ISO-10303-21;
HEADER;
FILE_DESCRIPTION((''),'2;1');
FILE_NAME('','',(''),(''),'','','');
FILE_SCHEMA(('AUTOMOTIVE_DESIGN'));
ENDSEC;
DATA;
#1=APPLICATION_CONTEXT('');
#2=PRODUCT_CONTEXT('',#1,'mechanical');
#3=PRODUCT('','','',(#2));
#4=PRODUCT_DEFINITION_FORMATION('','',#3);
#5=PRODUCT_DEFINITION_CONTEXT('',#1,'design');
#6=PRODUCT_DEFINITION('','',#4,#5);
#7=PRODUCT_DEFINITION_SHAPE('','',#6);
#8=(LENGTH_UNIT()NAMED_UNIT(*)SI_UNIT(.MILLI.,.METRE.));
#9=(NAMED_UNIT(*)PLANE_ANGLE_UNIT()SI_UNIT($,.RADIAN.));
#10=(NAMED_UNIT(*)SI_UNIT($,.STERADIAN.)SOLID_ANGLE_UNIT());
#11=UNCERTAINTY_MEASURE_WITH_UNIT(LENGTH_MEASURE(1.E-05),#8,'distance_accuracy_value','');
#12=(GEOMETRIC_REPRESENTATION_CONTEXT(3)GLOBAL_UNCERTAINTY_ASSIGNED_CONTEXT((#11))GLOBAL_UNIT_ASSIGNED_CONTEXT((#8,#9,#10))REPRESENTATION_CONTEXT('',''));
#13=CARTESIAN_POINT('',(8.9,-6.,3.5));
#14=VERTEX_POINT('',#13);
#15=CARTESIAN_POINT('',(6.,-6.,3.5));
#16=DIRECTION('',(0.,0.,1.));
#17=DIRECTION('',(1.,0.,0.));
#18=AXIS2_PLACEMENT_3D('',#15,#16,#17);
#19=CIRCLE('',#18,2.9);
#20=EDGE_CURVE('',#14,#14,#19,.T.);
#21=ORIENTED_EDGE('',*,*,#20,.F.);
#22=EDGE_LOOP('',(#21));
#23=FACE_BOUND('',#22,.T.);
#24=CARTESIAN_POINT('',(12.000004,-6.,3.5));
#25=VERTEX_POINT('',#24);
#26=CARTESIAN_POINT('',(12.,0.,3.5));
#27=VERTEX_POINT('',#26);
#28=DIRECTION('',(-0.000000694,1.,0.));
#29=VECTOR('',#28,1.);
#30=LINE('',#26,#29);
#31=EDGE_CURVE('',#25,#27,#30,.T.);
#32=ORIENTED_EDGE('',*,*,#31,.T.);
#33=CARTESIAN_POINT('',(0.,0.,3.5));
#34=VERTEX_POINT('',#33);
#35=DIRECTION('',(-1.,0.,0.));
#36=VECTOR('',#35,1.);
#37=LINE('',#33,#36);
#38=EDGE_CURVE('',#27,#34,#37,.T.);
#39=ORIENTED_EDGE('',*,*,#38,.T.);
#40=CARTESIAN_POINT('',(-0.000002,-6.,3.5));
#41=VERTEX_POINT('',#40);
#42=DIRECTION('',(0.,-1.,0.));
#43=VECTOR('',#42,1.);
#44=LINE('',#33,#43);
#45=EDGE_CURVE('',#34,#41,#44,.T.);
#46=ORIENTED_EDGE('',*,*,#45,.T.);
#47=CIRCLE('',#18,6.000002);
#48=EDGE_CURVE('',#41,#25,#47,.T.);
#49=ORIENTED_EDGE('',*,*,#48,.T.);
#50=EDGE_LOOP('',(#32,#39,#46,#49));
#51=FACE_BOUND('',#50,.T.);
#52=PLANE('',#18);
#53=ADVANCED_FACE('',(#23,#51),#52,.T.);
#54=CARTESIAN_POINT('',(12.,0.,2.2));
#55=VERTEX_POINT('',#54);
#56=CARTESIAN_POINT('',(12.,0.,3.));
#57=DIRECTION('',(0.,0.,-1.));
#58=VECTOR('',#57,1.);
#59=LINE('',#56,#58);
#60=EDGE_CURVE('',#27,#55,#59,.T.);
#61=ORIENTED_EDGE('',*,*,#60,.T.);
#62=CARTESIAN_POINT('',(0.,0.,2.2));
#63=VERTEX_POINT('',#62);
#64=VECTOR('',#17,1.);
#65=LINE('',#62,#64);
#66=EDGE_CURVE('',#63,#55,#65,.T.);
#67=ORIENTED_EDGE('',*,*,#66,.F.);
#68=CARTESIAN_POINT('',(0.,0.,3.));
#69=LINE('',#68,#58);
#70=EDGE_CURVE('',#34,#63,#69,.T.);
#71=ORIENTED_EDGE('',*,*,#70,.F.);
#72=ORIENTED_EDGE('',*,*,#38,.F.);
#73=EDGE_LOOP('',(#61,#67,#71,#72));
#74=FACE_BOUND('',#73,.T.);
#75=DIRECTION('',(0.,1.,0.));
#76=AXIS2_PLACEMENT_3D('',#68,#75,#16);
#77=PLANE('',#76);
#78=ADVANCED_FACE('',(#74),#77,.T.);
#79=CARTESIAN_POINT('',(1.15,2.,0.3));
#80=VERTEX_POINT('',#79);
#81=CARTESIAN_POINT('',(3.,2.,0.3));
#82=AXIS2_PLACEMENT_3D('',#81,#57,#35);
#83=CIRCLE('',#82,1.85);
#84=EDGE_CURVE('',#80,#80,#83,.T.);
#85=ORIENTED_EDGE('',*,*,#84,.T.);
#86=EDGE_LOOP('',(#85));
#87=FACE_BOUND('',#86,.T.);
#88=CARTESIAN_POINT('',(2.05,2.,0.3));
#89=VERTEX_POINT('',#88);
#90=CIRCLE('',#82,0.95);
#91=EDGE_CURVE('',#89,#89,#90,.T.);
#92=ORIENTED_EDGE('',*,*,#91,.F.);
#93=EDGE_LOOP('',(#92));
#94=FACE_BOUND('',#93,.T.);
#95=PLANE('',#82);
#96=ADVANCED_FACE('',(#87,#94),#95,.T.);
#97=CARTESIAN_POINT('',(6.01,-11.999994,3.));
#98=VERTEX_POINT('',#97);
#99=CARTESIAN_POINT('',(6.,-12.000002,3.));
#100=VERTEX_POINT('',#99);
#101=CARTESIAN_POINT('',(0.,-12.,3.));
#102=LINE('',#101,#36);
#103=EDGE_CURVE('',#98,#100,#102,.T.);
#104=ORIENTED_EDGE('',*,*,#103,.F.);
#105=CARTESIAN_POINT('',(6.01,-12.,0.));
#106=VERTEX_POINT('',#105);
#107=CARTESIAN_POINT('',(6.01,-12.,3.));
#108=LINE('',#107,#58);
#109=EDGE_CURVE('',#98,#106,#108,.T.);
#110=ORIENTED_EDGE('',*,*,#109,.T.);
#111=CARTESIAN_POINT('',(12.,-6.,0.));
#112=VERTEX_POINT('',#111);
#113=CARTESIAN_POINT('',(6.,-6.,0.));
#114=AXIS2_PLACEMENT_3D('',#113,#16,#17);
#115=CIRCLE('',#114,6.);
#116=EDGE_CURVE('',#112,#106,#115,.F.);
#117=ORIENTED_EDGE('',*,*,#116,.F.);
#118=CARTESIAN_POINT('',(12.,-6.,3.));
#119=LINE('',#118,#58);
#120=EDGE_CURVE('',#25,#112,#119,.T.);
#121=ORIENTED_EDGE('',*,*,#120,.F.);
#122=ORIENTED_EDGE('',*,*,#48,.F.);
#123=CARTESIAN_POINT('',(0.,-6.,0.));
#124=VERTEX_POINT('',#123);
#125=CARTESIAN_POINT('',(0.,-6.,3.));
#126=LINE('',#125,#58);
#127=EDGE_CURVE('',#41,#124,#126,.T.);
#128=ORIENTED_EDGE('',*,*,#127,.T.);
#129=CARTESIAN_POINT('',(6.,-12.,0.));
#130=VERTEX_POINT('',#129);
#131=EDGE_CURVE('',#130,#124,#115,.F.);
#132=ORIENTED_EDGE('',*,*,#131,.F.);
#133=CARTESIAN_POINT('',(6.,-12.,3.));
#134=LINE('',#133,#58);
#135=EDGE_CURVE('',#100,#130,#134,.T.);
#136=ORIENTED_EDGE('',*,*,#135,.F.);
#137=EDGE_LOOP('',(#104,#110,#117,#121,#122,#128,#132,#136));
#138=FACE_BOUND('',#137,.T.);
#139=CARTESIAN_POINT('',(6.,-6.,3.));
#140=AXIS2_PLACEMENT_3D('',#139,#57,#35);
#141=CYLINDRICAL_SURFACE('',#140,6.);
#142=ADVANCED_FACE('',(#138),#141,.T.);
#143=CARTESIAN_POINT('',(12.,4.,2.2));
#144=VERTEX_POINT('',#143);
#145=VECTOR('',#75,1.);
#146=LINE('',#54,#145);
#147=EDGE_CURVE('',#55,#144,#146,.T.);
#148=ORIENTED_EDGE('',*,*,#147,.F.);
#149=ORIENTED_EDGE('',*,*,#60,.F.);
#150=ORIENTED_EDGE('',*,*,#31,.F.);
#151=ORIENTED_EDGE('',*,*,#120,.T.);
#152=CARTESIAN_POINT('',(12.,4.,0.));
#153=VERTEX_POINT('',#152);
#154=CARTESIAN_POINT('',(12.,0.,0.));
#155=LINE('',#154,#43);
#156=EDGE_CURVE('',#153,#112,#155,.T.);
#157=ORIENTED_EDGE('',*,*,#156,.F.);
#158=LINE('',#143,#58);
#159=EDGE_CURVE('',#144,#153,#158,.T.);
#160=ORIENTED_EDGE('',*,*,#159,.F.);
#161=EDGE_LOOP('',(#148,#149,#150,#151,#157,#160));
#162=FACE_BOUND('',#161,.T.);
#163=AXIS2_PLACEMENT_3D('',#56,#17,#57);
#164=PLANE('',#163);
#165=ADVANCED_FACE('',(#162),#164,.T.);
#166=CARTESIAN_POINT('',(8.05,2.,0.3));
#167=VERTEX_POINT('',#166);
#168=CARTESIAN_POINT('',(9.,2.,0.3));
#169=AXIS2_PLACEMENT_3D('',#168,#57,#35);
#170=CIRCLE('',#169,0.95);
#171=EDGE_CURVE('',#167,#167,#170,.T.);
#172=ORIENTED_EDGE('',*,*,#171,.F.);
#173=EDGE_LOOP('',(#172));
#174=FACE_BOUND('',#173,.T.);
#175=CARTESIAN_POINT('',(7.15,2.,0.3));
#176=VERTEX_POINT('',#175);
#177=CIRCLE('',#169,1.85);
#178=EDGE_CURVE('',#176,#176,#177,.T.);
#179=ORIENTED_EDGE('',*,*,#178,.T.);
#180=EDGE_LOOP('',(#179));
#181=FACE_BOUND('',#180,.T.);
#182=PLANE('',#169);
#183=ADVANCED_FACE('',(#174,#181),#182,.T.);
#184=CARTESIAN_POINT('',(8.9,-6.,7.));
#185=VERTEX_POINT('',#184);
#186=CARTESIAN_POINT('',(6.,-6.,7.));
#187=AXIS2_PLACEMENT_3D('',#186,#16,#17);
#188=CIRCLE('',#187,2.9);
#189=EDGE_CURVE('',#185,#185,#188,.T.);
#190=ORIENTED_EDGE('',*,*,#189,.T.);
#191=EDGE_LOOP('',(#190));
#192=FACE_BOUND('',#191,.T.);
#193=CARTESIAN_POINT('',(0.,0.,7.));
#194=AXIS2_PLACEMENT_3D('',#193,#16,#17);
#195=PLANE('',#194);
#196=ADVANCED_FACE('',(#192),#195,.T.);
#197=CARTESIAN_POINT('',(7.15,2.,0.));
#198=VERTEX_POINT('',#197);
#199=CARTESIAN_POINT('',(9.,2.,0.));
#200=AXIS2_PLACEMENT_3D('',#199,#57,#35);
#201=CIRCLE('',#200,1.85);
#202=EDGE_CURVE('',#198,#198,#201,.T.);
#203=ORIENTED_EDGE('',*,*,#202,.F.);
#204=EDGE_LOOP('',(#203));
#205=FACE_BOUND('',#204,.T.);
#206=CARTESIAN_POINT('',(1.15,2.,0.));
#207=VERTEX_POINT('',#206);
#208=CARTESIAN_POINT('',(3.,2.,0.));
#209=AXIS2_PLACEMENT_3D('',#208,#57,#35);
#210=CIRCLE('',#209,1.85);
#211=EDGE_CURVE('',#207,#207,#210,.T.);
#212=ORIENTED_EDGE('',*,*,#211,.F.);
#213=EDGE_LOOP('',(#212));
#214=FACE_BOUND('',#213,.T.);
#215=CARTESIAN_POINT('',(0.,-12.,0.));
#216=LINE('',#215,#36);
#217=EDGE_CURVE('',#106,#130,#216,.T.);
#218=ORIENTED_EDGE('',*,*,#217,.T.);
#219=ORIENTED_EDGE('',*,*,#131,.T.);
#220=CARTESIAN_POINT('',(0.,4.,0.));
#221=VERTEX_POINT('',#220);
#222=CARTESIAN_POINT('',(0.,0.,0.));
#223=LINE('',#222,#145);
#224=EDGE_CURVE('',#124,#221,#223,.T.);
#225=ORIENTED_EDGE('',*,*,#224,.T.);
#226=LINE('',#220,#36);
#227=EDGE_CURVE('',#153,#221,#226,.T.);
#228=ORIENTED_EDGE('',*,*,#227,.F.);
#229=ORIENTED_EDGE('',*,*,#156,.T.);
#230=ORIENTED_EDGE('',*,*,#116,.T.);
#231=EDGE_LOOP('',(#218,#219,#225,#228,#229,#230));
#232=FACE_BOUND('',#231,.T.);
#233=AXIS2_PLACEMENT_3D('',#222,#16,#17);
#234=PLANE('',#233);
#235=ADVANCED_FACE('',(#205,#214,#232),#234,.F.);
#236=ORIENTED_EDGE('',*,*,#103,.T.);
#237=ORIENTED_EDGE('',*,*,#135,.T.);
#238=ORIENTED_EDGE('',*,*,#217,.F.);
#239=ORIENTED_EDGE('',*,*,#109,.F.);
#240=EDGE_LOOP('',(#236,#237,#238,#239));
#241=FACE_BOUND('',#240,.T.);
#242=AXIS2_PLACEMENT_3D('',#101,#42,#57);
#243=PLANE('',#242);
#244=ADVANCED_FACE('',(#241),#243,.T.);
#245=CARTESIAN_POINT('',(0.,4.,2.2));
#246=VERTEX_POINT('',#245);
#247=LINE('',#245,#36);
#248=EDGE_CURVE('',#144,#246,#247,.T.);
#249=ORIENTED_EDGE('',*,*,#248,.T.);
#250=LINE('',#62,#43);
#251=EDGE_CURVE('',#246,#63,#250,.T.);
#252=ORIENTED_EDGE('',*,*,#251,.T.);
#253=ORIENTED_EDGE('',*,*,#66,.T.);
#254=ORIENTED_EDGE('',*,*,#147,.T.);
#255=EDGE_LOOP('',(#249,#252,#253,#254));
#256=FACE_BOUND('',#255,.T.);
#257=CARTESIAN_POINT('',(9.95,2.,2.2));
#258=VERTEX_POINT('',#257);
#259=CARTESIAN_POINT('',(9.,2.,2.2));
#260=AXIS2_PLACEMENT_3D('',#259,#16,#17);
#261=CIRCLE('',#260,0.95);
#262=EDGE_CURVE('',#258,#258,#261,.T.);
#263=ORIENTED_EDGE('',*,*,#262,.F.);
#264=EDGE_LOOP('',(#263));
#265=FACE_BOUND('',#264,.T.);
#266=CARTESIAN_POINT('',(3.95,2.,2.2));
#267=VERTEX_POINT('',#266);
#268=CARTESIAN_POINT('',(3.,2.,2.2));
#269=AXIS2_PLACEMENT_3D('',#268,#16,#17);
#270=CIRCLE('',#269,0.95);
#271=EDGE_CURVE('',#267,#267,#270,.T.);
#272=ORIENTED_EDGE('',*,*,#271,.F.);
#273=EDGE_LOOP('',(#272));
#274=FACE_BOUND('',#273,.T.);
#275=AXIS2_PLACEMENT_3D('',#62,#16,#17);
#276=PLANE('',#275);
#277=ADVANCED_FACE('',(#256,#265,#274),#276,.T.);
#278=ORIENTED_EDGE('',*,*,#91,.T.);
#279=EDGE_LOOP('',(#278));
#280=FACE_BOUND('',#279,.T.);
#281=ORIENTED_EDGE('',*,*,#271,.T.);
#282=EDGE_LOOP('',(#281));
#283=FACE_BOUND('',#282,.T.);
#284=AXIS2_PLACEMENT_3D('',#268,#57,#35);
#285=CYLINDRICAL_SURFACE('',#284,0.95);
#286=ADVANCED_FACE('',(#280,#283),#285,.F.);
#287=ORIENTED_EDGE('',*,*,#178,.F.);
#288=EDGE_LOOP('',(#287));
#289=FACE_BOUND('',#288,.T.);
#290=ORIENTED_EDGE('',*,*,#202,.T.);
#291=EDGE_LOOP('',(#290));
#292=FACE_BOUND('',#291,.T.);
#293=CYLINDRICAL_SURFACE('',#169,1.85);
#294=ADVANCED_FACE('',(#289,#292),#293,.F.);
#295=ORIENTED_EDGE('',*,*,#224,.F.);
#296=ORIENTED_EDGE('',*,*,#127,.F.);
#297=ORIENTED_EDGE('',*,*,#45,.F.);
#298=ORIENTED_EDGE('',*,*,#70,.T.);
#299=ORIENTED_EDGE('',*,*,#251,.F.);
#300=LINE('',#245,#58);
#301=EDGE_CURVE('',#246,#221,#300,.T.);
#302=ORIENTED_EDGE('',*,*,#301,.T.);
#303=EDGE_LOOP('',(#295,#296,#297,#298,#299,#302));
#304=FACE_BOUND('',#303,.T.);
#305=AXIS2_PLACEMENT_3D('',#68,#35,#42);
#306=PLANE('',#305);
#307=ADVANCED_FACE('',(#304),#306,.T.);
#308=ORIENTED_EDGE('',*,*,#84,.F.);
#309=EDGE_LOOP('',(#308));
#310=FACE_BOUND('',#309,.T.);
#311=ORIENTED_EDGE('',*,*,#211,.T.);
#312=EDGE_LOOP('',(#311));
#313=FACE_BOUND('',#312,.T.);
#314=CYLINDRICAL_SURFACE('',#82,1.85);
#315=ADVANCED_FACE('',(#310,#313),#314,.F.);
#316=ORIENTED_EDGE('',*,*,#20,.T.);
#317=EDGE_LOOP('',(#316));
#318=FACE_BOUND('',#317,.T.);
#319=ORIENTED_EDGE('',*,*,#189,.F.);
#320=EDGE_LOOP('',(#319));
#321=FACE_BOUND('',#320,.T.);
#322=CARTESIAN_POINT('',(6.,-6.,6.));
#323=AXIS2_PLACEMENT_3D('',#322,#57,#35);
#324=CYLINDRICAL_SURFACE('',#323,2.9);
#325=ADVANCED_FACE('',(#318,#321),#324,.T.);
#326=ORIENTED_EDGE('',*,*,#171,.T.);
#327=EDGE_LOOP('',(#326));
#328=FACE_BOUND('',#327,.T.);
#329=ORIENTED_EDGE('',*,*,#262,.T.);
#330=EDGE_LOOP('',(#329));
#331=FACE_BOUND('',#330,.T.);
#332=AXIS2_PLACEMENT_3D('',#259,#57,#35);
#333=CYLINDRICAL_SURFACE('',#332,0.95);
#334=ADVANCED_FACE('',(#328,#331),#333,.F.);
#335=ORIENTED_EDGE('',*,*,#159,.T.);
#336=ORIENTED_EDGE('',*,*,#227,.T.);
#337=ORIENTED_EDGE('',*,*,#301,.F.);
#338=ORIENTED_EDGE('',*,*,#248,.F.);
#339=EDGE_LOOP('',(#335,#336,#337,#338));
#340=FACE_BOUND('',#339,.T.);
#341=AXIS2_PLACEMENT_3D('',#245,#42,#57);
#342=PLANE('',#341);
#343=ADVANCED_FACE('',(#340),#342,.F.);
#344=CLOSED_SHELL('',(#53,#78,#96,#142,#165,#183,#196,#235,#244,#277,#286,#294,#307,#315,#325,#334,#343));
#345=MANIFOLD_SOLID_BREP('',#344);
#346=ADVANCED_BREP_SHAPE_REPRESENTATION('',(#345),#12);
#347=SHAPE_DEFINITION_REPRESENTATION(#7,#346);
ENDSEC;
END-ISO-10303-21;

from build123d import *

# Parameters (mm, degrees)
SKETCH_1_R          = 2.9
EXTRUDE_1_DEPTH     = 3
SKETCH_1_4_W        = 12
SKETCH_1_4_H        = 4
SKETCH_1_4_R        = 0.95
EXTRUDE_2_DEPTH     = 2.2
SKETCH_1_5_R        = 2.9
EXTRUDE_3_DEPTH     = 6
SKETCH_2_R          = 1.85
CUT_EXTRUDE_1_DEPTH = 0.3
EXTRUDE_4_DEPTH     = 0.5
SKETCH_1_7_R        = 2.9
EXTRUDE_6_DEPTH     = 7


with BuildPart() as part:
    # 草图1 → 凸台-拉伸1 (new body)
    with BuildSketch(Plane.XY):
        with BuildLine():
            Line((0, 0), (12, 0))
            Line((12, 0), (12, -6))
            ThreePointArc((12, -6), (6, -12), (0, -6))
            Line((0, -6), (0, 0))
        make_face()
        with Locations((6, -6)):
            Circle(SKETCH_1_R, mode=Mode.SUBTRACT)
    extrude(amount=EXTRUDE_1_DEPTH)

    # 草图1<4> → 凸台-拉伸2 (add)
    with BuildSketch(Plane.XY):
        with Locations((6, 2)):
            Rectangle(SKETCH_1_4_W, SKETCH_1_4_H)
        with Locations((9, 2)):
            Circle(SKETCH_1_4_R, mode=Mode.SUBTRACT)
        with Locations((3, 2)):
            Circle(SKETCH_1_4_R, mode=Mode.SUBTRACT)
    extrude(amount=EXTRUDE_2_DEPTH)

    # 草图1<5> → 凸台-拉伸3 (add)
    with BuildSketch(Plane.XY):
        with Locations((6, -6)):
            Circle(SKETCH_1_5_R)
    extrude(amount=EXTRUDE_3_DEPTH)

    # 草图2 → 切除-拉伸1 (cut)
    with BuildSketch(Plane(origin=(0, 0, 0), x_dir=(-1, 0, 0), z_dir=(0, 0, -1))):
        with Locations((-9, 2)):
            Circle(SKETCH_2_R)
        with Locations((-3, 2)):
            Circle(SKETCH_2_R)
    extrude(amount=-CUT_EXTRUDE_1_DEPTH, mode=Mode.SUBTRACT)

    # 草图4 → 凸台-拉伸4 (add)
    with BuildSketch(Plane.XY.offset(3)):
        with BuildLine():
            Line((0, 0), (12, 0))
            Line((12, 0), (12.000004167, -6))
            ThreePointArc((12.000004167, -6), (6, -12), (0, -6))
            Line((0, -6), (0, 0))
        make_face()
    extrude(amount=EXTRUDE_4_DEPTH)

    # 草图1<7> → 凸台-拉伸6 (add)
    with BuildSketch(Plane.XY):
        with Locations((6, -6)):
            Circle(SKETCH_1_7_R)
    extrude(amount=EXTRUDE_6_DEPTH)


solid = part.part
